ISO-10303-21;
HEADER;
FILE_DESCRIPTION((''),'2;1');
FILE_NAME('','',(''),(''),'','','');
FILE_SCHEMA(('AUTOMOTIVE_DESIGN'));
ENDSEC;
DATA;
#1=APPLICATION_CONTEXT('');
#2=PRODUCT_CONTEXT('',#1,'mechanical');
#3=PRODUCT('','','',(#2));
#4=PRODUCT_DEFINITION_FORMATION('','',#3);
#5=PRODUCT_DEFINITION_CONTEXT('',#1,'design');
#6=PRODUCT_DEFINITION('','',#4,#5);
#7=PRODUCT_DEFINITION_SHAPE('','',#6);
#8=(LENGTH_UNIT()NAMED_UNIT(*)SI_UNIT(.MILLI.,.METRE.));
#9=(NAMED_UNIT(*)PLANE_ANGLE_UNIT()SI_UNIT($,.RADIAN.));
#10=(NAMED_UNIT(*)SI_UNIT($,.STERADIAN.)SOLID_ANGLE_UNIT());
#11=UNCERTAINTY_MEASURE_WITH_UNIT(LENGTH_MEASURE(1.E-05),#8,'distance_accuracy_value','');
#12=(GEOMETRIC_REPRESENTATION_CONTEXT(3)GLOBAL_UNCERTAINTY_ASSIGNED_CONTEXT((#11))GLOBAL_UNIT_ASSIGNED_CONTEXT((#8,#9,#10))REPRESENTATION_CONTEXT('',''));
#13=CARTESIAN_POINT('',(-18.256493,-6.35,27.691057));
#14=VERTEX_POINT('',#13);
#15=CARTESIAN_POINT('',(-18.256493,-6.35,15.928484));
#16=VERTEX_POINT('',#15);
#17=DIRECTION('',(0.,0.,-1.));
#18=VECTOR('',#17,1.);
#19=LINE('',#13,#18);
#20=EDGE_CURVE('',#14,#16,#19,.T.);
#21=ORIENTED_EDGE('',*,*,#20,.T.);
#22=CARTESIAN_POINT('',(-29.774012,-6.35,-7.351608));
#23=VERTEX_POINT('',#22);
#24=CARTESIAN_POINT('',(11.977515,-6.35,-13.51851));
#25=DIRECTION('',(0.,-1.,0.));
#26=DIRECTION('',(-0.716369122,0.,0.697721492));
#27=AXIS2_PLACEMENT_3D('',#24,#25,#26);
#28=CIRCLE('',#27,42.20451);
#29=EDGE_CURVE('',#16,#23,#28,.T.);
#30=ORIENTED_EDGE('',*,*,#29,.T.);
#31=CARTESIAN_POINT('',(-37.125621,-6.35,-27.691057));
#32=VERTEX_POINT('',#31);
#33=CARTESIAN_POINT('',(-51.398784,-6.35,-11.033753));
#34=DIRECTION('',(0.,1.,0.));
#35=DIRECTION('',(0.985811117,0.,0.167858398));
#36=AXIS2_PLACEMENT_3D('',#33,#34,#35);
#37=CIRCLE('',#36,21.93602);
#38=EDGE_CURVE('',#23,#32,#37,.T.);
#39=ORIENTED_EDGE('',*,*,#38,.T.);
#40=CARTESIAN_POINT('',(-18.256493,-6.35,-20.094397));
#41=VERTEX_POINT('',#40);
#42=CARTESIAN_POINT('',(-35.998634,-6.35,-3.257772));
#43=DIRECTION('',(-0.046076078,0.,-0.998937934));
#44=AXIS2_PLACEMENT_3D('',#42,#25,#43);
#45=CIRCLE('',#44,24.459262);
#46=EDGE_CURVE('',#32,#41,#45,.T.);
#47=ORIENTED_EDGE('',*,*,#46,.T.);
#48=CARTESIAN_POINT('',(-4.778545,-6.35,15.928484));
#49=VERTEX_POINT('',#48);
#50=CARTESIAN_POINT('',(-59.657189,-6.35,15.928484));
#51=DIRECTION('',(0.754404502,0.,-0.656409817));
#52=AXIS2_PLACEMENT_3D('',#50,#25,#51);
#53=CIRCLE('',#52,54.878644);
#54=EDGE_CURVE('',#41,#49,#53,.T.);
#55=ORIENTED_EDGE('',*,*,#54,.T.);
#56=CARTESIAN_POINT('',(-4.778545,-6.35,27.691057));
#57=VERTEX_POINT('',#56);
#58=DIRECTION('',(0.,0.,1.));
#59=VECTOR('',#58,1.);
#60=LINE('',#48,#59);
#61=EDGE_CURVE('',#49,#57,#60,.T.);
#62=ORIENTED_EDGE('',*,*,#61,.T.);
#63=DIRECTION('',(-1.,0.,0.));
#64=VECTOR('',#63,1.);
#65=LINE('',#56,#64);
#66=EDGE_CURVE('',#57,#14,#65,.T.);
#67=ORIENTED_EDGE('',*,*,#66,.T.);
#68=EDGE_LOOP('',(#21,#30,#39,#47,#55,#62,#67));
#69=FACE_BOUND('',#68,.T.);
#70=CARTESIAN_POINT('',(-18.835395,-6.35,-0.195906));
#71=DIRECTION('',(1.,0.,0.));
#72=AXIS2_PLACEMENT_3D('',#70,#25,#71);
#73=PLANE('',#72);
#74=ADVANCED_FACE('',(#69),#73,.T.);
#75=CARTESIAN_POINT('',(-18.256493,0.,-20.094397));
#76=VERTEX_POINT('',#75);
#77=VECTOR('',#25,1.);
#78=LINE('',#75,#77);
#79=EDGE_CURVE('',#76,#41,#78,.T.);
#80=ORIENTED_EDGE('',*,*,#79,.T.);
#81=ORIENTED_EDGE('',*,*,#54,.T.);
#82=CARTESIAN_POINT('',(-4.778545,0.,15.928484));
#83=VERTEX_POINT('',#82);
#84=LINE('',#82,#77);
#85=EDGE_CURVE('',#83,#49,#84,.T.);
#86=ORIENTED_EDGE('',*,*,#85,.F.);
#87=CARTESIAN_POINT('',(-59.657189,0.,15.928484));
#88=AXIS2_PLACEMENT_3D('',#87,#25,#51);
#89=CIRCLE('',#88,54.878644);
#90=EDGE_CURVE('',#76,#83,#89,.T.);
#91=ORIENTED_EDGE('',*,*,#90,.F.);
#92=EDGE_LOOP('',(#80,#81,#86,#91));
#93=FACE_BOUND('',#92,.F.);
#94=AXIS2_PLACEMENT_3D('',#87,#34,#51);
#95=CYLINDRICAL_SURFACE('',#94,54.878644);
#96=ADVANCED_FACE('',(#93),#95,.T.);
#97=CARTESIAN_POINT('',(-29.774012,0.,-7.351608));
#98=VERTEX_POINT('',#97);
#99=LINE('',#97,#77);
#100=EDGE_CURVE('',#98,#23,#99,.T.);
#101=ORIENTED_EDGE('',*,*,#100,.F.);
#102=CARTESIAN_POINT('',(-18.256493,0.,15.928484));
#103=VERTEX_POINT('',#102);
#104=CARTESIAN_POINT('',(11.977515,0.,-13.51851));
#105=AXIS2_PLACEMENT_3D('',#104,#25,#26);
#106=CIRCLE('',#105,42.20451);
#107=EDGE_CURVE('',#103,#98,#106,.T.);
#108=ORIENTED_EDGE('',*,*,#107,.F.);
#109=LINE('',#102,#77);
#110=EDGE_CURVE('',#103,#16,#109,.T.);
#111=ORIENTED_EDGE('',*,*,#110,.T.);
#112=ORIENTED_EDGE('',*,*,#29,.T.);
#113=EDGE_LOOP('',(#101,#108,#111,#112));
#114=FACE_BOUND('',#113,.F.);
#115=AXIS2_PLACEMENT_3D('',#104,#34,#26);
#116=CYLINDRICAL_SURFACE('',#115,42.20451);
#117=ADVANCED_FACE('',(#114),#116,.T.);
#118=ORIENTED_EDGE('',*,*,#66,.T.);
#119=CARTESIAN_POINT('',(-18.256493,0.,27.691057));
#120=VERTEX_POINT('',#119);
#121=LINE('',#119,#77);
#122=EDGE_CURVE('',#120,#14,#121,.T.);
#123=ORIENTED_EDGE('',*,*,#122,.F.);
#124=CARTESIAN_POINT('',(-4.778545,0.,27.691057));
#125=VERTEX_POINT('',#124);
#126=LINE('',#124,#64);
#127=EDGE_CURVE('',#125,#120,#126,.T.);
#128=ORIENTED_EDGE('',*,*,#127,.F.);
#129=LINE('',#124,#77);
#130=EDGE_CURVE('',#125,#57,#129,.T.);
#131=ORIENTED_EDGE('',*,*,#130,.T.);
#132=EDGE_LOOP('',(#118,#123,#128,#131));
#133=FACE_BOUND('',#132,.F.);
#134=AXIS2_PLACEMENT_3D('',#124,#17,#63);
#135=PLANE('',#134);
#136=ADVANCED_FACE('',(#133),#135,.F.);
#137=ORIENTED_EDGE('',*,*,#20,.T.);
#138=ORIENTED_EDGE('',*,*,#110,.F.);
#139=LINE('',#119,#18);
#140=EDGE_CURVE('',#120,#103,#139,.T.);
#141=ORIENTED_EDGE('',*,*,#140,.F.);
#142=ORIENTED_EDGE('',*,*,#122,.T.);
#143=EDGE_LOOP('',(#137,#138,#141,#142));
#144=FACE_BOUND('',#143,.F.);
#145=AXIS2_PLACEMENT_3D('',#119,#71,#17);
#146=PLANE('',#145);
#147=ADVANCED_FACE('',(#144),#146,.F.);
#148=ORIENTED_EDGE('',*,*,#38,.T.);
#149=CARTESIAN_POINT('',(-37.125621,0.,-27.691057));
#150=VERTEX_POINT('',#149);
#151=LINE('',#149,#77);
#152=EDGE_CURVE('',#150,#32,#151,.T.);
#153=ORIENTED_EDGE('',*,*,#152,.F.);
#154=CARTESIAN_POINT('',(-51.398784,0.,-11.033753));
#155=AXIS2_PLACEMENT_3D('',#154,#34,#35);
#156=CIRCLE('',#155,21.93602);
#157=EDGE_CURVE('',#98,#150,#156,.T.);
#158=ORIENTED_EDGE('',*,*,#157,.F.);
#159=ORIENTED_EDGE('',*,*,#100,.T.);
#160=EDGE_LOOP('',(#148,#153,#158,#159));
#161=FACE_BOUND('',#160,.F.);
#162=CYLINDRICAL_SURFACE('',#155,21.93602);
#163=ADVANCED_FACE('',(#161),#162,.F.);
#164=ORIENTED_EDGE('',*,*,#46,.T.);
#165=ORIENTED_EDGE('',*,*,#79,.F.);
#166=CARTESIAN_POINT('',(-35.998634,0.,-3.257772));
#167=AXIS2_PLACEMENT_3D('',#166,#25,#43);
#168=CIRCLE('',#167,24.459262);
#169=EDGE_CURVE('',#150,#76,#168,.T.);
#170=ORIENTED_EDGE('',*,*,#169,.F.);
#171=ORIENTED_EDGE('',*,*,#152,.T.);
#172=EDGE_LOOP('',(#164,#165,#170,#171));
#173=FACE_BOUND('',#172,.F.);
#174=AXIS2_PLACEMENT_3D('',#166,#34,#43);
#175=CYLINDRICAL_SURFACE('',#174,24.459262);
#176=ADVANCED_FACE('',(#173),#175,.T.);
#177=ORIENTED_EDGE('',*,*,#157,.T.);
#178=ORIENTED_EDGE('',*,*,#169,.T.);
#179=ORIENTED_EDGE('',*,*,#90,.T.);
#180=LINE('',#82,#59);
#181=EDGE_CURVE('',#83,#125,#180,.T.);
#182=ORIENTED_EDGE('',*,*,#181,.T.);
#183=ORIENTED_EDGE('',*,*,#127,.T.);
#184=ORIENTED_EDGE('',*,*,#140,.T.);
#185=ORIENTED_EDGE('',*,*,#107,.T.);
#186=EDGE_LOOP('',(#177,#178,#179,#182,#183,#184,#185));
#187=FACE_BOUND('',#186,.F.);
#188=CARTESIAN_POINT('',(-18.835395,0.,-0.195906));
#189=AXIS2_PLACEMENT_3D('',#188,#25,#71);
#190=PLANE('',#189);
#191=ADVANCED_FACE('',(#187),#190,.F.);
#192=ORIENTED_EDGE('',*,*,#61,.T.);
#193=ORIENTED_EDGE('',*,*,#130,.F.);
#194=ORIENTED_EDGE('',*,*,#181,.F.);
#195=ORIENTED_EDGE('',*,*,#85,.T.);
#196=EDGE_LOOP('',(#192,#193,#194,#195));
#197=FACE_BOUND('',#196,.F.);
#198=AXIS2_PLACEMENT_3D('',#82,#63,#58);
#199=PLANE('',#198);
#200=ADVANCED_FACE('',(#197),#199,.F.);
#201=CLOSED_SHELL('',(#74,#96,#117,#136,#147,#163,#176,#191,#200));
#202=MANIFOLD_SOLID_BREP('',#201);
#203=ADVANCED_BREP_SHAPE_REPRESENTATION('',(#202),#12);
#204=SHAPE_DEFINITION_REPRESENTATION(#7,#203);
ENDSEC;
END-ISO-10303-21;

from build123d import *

# Parameters (mm, degrees)
F1_DEPTH = 6.35


with BuildPart() as f1:
    # F0 (on Front) → F1 (new body)
    with BuildSketch(Plane.XZ):
        with BuildLine():
            Line((-4.778545, 27.691057), (-18.256493, 27.691057))
            Line((-18.256493, 27.691057), (-18.256493, 15.928484))
            ThreePointArc((-18.256493, 15.928484), (-25.850649, 5.196476), (-29.774012, -7.351608))
            ThreePointArc((-29.774012, -7.351608), (-30.768982, -18.490309), (-37.125621, -27.691057))
            ThreePointArc((-37.125621, -27.691057), (-26.863912, -25.947249), (-18.256493, -20.094397))
            ThreePointArc((-18.256493, -20.094397), (-8.258358, -3.30237), (-4.778545, 15.928484))
            Line((-4.778545, 15.928484), (-4.778545, 27.691057))
        make_face()
    extrude(amount=F1_DEPTH)


solid = f1.part
